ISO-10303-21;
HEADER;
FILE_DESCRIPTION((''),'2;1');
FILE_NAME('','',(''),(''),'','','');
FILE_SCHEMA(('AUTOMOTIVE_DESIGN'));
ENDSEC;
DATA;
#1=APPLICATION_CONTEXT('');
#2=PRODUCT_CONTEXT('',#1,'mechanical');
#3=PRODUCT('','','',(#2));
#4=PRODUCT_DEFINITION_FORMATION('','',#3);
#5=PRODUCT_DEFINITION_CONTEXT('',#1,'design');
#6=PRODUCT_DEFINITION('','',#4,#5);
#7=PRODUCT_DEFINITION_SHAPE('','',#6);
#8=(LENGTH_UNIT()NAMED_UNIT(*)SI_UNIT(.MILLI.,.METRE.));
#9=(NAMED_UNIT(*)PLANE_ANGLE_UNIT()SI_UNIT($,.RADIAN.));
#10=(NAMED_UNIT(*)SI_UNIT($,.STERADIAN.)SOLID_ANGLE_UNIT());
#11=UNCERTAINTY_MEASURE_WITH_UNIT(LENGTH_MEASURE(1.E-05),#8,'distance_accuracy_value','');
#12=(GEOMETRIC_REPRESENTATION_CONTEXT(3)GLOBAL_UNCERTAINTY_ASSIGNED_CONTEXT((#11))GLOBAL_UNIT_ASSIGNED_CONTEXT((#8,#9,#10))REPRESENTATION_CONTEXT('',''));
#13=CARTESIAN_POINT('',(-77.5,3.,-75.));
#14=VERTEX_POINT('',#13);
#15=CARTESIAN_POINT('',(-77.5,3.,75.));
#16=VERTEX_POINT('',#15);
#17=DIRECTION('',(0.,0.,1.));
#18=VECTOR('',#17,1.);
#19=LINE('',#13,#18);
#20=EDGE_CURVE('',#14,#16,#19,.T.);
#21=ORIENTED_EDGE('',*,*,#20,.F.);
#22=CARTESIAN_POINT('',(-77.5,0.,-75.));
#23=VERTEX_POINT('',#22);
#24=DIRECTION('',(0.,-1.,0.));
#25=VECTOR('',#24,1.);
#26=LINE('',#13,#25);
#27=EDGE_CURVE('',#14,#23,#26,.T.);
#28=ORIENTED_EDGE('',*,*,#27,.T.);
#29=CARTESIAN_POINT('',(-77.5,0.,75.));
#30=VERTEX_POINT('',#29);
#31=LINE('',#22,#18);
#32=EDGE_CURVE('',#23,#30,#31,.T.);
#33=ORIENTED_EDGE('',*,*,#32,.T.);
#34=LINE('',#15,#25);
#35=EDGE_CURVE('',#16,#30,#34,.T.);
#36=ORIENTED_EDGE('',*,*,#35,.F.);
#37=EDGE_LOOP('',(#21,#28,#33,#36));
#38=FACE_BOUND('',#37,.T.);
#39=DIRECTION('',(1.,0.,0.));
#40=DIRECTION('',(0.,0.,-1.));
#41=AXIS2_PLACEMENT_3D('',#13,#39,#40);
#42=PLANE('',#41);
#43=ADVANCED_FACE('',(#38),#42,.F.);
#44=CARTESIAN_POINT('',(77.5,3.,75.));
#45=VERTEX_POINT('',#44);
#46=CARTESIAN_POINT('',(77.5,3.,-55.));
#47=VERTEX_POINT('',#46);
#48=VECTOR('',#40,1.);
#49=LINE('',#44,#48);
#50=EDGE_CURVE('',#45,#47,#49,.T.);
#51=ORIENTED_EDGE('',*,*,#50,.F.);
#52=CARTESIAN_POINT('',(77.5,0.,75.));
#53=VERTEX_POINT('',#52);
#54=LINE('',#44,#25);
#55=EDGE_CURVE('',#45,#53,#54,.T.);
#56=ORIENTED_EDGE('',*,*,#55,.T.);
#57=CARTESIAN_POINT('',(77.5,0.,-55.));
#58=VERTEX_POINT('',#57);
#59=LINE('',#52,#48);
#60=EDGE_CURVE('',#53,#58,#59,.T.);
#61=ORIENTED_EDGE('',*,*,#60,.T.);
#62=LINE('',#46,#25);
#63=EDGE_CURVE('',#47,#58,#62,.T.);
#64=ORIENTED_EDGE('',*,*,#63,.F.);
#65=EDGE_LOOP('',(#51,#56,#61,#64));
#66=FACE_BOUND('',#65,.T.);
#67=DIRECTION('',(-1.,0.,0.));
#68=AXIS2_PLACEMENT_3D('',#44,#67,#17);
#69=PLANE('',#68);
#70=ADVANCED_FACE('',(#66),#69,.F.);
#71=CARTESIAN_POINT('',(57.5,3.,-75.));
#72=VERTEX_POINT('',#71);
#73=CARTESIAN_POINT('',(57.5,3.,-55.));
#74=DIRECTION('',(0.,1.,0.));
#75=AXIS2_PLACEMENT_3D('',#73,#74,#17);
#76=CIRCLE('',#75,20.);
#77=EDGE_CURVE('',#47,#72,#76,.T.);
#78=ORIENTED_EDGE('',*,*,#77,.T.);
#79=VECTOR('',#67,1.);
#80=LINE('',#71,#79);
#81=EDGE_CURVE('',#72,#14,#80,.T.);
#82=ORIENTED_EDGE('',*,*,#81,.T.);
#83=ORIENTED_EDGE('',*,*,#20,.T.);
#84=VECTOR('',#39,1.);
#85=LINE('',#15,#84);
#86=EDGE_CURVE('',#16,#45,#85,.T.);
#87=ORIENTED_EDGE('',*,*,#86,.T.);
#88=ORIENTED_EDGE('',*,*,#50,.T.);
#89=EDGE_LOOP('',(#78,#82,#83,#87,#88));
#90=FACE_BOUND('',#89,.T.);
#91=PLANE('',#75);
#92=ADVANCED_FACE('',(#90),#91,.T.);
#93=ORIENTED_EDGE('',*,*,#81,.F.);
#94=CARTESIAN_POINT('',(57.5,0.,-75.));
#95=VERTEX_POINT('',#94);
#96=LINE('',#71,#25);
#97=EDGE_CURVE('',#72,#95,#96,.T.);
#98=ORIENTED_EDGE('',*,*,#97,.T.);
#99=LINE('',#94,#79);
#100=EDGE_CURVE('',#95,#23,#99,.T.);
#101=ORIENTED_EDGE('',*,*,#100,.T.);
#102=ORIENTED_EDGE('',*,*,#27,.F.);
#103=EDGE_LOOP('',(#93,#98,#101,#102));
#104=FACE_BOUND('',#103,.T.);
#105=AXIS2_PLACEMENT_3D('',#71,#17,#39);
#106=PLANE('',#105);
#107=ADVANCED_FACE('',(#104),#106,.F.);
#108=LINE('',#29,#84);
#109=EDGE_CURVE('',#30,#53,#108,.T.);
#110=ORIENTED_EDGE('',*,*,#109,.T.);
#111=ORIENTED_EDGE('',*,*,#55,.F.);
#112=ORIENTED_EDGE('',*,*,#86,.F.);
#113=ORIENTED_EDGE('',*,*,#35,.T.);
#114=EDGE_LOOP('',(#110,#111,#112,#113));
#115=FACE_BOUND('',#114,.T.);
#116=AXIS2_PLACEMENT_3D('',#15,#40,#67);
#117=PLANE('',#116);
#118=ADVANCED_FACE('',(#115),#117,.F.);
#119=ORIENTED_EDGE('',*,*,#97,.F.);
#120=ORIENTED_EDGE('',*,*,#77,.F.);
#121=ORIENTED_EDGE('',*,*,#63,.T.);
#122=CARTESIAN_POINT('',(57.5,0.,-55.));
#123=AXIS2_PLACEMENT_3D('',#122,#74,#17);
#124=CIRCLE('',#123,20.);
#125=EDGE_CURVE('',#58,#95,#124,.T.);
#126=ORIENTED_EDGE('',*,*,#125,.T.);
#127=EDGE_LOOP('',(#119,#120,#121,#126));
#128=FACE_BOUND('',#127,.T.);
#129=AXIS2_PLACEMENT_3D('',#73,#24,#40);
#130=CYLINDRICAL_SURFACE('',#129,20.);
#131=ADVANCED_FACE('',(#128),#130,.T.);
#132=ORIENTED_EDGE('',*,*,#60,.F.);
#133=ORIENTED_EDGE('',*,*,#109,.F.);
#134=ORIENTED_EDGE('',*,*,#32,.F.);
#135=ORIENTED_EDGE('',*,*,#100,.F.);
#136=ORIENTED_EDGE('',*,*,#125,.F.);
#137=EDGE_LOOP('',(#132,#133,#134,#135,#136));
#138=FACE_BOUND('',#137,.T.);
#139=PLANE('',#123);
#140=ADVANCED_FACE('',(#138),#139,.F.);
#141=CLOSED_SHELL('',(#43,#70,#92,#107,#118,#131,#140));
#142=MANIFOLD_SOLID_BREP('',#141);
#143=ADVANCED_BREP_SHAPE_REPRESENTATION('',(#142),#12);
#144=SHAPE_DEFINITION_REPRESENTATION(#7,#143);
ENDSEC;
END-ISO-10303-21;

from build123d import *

# Parameters (mm, degrees)
BOSS_EXTRUDE1_DEPTH = 3


with BuildPart() as part:
    # Sketch1 → Boss-Extrude1 (new body)
    with BuildSketch(Plane(origin=(0, 0, 0), x_dir=(1, 0, 0), z_dir=(0, 1, 0))):
        with BuildLine():
            Line((-77.5, 75), (-77.5, -75))
            Line((-77.5, -75), (77.5, -75))
            Line((77.5, -75), (77.5, 55))
            ThreePointArc((77.5, 55), (71.642135624, 69.142135624), (57.5, 75))
            Line((57.5, 75), (-77.5, 75))
        make_face()
    extrude(amount=BOSS_EXTRUDE1_DEPTH)


solid = part.part
